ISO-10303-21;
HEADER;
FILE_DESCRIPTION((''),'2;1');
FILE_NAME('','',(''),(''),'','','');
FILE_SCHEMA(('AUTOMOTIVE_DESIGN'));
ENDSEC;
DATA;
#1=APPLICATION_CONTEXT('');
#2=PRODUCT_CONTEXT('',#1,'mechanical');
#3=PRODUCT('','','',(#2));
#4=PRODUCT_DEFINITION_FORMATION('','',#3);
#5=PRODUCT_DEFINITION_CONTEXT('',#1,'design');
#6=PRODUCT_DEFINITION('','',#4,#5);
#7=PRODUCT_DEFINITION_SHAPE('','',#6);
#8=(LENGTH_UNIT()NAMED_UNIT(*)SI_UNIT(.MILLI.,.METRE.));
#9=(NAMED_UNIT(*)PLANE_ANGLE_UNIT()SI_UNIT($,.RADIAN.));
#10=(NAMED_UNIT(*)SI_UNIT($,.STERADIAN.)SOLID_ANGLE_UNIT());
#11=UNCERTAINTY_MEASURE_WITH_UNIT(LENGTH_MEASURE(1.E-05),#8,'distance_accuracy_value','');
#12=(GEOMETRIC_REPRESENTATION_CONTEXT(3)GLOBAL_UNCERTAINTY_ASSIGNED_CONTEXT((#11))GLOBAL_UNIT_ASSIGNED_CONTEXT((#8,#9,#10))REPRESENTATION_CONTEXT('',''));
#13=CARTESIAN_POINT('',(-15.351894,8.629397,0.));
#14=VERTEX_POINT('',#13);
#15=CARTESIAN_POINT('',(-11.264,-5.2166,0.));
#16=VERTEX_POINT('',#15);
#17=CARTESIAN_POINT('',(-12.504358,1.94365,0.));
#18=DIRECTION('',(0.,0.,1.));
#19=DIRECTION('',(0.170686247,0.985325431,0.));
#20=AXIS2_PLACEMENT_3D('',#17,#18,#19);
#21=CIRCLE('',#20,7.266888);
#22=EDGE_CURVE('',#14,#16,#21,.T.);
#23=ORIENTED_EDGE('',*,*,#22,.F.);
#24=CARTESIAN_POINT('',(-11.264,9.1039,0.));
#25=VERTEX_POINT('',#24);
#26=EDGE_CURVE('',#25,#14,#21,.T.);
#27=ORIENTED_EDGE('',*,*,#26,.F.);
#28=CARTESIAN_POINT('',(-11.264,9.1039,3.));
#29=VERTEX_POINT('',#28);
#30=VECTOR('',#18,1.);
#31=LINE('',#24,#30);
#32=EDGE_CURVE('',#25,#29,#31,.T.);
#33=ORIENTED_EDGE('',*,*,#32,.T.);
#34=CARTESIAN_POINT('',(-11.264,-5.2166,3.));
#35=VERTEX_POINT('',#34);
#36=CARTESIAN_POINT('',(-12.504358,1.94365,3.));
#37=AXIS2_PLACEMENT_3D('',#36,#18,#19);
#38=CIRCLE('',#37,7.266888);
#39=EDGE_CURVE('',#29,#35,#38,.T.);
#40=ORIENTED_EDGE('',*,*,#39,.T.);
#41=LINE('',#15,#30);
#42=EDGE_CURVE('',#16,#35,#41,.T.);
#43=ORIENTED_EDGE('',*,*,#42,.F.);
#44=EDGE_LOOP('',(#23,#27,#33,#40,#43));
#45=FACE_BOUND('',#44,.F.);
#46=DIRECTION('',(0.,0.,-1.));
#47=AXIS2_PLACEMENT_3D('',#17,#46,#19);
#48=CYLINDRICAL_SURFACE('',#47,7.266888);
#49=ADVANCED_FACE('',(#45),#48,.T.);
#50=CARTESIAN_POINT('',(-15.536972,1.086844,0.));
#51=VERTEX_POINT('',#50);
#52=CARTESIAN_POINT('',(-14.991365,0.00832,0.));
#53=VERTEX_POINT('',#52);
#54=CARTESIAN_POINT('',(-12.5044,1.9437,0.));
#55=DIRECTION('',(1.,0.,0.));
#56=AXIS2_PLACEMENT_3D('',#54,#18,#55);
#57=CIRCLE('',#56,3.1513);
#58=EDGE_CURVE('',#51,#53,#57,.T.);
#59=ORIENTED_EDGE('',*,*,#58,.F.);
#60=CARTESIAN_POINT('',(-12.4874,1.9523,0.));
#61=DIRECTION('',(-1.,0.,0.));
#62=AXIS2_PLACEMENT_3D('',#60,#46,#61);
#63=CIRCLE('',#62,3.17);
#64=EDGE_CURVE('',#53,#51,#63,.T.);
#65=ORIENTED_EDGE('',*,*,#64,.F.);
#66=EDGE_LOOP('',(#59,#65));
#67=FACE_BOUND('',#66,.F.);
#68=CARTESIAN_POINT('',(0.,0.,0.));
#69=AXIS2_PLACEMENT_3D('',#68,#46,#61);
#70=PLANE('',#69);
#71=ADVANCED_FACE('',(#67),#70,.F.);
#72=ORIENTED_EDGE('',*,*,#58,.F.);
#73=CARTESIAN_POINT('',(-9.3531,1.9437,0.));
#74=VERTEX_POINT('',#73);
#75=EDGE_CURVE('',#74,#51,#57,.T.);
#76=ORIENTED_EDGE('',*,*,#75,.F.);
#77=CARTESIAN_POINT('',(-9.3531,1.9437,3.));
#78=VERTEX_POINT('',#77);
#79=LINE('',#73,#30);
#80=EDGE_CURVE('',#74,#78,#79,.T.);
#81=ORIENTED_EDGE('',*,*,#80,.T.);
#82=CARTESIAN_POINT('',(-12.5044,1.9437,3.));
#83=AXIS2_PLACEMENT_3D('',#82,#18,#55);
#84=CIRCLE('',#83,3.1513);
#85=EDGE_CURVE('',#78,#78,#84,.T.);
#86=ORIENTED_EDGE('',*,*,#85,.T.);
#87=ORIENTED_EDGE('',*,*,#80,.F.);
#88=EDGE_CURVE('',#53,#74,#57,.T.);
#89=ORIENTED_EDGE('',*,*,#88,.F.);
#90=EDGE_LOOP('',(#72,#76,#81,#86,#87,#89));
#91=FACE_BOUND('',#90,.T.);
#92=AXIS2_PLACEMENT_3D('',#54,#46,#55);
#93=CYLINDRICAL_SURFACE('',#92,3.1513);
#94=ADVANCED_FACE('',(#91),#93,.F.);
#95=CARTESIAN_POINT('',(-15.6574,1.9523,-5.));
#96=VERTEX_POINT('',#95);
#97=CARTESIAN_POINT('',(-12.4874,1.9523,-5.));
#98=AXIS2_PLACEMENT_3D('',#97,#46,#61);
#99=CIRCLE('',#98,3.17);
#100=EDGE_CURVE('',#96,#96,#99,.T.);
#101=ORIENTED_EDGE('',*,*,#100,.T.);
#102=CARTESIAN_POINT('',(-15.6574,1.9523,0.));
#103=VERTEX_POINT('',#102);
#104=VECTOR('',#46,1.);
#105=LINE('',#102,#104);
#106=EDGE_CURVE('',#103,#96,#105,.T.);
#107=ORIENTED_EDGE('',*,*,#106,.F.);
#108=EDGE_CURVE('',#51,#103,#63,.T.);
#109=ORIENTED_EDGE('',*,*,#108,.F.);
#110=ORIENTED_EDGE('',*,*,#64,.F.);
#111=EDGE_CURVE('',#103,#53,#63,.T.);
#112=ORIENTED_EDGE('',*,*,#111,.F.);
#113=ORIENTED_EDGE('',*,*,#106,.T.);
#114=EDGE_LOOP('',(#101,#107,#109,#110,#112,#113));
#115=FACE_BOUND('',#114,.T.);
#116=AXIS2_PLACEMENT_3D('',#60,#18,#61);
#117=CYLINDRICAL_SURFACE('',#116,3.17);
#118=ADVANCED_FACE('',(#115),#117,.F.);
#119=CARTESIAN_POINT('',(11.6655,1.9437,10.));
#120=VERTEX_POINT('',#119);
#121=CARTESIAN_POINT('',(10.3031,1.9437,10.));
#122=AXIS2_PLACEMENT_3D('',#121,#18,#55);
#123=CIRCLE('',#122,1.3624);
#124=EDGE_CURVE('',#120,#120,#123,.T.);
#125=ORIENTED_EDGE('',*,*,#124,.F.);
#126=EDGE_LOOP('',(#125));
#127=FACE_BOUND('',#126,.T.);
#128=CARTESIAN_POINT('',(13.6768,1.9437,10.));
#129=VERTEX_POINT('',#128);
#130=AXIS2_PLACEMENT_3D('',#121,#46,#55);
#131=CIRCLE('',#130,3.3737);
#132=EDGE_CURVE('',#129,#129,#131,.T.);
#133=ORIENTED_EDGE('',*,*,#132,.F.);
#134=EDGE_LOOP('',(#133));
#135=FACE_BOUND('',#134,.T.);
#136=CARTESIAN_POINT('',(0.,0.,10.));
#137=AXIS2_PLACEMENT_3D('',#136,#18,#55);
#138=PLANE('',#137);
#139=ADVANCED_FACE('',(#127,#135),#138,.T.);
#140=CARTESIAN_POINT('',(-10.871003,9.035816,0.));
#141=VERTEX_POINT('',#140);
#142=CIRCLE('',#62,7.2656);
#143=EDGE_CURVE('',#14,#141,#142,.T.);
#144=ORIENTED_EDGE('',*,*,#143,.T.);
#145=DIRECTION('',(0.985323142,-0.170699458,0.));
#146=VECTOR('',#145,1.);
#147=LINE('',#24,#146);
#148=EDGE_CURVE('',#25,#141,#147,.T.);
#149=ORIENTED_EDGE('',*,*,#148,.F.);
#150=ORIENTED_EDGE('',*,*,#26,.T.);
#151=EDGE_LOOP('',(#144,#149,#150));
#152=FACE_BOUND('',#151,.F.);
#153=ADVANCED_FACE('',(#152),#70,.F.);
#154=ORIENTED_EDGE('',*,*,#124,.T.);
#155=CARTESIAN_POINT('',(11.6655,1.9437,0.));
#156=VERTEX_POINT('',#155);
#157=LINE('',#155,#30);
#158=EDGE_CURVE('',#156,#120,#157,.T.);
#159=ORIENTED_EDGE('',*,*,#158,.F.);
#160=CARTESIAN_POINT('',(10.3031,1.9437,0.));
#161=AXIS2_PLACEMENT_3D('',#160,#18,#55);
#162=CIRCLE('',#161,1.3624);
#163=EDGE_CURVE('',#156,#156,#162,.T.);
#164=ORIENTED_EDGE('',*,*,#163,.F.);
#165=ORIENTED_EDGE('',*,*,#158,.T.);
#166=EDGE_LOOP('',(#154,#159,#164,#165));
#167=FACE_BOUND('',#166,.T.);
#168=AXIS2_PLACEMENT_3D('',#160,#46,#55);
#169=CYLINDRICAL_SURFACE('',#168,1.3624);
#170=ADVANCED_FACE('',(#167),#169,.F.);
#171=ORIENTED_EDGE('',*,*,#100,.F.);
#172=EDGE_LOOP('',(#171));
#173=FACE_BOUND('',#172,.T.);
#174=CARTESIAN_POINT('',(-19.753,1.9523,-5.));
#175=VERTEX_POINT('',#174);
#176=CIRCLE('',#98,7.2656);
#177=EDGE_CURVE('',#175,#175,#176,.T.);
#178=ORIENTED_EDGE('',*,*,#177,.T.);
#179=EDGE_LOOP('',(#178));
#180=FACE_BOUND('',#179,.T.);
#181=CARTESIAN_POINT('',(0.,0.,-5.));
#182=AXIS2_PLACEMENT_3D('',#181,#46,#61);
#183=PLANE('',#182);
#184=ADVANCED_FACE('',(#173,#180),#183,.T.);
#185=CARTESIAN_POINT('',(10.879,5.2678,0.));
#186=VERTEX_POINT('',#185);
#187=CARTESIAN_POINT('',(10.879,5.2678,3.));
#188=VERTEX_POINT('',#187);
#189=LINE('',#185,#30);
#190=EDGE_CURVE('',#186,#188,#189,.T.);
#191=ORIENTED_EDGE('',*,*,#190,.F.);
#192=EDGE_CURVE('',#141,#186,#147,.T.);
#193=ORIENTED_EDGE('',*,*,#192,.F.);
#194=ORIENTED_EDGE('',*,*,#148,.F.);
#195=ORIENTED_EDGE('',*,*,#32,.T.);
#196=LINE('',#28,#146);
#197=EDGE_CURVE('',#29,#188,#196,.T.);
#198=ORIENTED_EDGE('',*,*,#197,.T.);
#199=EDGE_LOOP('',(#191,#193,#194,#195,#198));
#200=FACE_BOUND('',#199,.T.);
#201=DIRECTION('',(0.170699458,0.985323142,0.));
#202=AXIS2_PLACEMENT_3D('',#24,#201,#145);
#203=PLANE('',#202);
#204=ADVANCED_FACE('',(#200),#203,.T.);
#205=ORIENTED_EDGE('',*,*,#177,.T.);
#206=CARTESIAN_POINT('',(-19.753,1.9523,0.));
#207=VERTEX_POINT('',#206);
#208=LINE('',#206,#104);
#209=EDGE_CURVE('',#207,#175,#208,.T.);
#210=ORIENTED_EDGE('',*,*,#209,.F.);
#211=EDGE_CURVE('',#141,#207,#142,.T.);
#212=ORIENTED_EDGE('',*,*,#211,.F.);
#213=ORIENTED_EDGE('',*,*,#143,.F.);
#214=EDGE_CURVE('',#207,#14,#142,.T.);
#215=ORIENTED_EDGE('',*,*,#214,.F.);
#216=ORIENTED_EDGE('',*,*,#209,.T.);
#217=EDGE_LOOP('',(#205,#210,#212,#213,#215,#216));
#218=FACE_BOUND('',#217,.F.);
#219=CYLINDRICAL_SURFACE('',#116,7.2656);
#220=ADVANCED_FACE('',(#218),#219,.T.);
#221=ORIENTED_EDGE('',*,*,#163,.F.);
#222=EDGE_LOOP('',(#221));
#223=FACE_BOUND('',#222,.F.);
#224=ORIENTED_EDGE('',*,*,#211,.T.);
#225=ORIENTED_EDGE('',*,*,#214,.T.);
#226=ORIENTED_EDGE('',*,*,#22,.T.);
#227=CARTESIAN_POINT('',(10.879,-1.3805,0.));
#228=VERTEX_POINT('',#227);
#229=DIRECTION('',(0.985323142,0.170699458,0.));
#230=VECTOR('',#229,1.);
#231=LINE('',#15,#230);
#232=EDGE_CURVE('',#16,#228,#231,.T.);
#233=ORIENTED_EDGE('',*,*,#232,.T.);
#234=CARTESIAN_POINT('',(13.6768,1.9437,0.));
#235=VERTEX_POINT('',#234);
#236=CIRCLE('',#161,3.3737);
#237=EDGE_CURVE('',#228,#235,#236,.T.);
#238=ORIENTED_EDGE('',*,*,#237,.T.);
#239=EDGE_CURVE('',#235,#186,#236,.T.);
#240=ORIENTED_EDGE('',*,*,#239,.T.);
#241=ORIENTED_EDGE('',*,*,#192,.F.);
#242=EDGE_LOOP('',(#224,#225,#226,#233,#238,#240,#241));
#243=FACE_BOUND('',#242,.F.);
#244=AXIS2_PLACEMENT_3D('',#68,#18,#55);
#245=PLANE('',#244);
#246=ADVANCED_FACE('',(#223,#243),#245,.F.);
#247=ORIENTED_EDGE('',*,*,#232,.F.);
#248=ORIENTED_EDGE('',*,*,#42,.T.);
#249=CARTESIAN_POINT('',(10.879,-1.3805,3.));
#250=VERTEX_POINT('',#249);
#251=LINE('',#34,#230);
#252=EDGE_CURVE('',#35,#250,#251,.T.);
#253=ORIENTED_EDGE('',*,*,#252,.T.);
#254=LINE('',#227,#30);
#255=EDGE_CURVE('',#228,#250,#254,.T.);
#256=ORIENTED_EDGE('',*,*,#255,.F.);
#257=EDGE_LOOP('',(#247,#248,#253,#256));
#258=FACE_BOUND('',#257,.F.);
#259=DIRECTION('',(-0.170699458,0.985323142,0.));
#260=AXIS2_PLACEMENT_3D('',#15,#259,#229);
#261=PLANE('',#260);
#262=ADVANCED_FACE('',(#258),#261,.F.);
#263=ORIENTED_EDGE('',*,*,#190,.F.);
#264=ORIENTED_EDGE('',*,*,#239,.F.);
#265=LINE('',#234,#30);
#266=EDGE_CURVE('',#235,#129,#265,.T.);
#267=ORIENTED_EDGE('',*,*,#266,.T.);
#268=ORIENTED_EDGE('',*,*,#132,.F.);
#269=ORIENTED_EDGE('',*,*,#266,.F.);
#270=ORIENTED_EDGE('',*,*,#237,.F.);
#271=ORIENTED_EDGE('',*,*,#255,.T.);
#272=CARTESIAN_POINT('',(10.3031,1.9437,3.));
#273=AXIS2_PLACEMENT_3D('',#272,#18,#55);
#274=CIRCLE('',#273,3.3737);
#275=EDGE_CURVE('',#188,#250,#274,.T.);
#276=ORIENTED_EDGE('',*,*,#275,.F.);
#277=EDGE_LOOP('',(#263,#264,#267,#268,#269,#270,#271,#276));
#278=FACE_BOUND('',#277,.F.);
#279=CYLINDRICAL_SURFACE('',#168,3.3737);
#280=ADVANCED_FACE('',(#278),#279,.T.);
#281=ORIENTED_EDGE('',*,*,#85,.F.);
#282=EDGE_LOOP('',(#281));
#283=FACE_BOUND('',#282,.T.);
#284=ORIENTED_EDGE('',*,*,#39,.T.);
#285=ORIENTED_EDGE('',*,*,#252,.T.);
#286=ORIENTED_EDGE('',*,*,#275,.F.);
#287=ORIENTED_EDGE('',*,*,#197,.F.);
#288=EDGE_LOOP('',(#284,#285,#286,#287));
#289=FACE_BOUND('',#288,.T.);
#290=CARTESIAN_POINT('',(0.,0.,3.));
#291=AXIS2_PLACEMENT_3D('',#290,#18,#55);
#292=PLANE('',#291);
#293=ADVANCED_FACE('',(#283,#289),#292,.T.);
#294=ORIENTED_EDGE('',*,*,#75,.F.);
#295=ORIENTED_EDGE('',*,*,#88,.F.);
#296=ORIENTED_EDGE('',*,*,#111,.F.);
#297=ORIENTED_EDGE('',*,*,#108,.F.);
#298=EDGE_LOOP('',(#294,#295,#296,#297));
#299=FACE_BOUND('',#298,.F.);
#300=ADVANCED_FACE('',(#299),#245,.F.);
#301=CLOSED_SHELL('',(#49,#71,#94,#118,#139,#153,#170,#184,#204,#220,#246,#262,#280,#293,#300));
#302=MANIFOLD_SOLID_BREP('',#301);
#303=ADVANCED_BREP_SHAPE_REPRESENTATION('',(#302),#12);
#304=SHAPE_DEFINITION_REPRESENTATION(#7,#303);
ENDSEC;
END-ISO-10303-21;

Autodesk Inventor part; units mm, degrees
ref_plane "YZ Plane" through (0, 0, 0) normal (1, 0, 0) x (0, 1, 0)
ref_plane "XZ Plane" through (0, 0, 0) normal (0, 1, 0) x (-1, 0, 0)
ref_plane "XY Plane" through (0, 0, 0) normal (0, 0, 1) x (1, 0, 0)
sketch "스케치1" plane through (0, 0, 0) normal (0, 0, 1) x (1, 0, 0)
  circle A0 centre (-12.5044, 1.9437) radius 3.1513
  arc A1 (-11.264, 9.1039) -> (-11.264, -5.2166) centre (-12.5044, 1.9437) ccw
  circle A2 centre (10.3031, 1.9437) radius 3.3737
  line L0 (-11.264, 9.1039) -> (10.879, 5.2678)
  line L1 (-11.264, -5.2166) -> (10.879, -1.3805)
  circle A3 centre (10.3031, 1.9437) radius 1.3624
  point P0 (0, 0)
extrude "돌출1" add sketch "스케치1" along normal blind 3 contours L0 A2 L1 A1
extrude "돌출2" add sketch "스케치1" along normal blind 10 contours A2
sketch "스케치2" plane through (0, 0, 0) normal (0, 0, -1) x (-1, 0, 0)
  circle A0 centre (12.4874, 1.9523) radius 7.2656
  circle A1 centre (12.4874, 1.9523) radius 3.17
  point P0 (0, 0)
extrude "돌출3" add sketch "스케치2" along normal blind 5
properties part number "240510_3Dsketch02"
